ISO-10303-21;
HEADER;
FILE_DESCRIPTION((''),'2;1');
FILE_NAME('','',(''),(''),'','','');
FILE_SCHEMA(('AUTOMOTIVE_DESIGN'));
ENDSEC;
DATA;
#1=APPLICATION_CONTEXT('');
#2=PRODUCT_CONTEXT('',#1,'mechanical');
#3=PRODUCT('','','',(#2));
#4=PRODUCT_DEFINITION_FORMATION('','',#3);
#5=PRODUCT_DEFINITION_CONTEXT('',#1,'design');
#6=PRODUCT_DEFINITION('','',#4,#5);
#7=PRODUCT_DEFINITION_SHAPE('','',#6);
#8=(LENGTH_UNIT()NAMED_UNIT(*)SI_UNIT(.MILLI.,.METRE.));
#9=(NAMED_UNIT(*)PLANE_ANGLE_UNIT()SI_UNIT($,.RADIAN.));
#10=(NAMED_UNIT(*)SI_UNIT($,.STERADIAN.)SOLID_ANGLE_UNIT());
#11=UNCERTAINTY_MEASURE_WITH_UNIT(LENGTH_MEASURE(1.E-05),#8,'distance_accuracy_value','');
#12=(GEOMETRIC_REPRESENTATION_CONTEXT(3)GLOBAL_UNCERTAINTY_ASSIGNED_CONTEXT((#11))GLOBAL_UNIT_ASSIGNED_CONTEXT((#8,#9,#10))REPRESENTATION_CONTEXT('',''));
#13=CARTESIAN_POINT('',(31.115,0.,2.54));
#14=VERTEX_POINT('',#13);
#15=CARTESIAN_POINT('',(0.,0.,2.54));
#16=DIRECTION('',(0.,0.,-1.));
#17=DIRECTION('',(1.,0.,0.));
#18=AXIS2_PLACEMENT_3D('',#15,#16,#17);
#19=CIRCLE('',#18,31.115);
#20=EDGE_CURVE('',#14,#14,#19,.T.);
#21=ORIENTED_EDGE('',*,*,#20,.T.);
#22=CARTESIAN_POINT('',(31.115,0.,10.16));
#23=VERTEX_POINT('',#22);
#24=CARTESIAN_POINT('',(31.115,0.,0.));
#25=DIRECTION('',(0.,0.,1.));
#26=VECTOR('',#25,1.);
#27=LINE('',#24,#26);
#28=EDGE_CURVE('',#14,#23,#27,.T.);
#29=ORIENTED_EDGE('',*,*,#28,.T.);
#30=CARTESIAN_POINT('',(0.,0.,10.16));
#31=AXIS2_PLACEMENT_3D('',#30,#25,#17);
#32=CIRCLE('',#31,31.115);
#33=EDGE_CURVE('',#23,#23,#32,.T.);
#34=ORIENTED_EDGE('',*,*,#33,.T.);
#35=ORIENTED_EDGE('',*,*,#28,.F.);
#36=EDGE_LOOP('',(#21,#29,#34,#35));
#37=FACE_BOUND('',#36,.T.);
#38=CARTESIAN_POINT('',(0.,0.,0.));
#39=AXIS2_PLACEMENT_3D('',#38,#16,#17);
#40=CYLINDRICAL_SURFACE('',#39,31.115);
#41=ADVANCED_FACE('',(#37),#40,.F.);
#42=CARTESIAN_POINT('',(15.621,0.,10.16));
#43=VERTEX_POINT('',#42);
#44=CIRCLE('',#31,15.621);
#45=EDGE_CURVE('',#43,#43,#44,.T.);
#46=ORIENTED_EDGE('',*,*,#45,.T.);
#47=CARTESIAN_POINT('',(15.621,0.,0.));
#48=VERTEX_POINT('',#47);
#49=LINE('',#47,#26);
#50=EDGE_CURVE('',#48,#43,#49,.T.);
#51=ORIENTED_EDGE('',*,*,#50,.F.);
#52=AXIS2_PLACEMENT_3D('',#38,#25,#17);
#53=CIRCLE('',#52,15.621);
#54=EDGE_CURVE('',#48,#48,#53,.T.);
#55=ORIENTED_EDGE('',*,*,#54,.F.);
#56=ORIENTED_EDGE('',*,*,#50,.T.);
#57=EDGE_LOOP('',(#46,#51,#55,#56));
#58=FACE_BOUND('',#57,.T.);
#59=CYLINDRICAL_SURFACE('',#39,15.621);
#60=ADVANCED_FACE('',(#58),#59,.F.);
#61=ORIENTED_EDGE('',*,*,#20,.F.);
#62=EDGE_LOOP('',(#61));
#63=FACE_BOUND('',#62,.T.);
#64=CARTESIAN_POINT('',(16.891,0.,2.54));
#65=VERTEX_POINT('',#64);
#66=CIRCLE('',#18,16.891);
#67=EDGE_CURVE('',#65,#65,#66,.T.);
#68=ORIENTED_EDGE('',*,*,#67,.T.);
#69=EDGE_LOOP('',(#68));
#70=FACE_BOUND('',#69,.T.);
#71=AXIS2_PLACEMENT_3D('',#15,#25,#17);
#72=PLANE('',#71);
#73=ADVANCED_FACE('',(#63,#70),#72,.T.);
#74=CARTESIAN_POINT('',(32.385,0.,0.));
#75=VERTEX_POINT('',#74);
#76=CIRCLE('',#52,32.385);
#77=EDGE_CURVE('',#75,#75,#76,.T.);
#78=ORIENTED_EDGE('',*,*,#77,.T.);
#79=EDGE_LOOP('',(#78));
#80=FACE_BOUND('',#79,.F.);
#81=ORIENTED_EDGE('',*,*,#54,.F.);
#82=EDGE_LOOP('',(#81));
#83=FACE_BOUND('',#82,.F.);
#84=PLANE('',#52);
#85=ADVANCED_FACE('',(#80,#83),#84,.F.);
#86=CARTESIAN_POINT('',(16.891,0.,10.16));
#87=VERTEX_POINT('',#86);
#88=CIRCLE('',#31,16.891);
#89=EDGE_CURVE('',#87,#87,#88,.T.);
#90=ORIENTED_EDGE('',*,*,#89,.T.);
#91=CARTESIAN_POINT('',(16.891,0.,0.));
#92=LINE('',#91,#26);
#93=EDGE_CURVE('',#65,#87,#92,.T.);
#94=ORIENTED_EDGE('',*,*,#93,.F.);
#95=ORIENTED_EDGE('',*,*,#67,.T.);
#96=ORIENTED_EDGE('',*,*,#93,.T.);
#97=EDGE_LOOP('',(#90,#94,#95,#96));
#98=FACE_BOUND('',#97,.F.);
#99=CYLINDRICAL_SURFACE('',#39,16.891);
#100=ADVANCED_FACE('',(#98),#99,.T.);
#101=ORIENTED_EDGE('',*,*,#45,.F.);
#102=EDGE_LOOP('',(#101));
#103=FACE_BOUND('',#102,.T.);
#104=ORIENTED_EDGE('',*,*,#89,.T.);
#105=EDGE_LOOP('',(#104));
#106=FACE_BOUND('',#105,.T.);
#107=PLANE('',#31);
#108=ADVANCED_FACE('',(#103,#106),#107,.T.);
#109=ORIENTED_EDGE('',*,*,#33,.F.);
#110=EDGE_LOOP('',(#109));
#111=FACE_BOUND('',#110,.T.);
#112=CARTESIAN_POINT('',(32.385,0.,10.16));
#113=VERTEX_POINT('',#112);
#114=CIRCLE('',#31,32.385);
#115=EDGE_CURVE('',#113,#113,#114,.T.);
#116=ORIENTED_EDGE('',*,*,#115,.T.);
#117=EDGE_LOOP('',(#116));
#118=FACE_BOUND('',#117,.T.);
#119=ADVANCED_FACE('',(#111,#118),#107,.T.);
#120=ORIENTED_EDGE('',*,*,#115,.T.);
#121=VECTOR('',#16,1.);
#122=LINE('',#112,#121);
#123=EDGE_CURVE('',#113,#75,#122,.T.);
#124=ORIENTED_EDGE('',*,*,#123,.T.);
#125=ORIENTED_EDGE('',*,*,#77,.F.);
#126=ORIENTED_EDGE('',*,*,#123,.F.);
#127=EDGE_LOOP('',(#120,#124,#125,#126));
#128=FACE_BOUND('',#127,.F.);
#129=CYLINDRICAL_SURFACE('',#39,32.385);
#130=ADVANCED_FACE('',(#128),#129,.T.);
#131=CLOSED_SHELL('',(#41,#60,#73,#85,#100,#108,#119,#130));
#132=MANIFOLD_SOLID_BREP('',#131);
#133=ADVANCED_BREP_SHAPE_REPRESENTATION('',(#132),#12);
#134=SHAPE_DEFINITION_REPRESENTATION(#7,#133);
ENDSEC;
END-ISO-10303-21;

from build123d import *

# Parameters (mm, degrees)
F0_R     = 32.385
F0_R_2   = 15.621
F1_DEPTH = 2.54
F2_R     = 32.385
F2_R_2   = 31.115
F3_DEPTH = 10.16
F4_R     = 16.891
F4_R_2   = 15.621
F5_DEPTH = 10.16


with BuildPart() as f1:
    # F0 (on Top) → F1 (new body)
    with BuildSketch(Plane.XY):
        Circle(F0_R)
        Circle(F0_R_2, mode=Mode.SUBTRACT)
    extrude(amount=F1_DEPTH)

    # F2 (on Top) → F3 (join)
    with BuildSketch(Plane.XY):
        Circle(F2_R)
        Circle(F2_R_2, mode=Mode.SUBTRACT)
    extrude(amount=F3_DEPTH)

    # F4 (on Top) → F5 (join)
    with BuildSketch(Plane.XY):
        Circle(F4_R)
        Circle(F4_R_2, mode=Mode.SUBTRACT)
    extrude(amount=F5_DEPTH)


solid = f1.part
